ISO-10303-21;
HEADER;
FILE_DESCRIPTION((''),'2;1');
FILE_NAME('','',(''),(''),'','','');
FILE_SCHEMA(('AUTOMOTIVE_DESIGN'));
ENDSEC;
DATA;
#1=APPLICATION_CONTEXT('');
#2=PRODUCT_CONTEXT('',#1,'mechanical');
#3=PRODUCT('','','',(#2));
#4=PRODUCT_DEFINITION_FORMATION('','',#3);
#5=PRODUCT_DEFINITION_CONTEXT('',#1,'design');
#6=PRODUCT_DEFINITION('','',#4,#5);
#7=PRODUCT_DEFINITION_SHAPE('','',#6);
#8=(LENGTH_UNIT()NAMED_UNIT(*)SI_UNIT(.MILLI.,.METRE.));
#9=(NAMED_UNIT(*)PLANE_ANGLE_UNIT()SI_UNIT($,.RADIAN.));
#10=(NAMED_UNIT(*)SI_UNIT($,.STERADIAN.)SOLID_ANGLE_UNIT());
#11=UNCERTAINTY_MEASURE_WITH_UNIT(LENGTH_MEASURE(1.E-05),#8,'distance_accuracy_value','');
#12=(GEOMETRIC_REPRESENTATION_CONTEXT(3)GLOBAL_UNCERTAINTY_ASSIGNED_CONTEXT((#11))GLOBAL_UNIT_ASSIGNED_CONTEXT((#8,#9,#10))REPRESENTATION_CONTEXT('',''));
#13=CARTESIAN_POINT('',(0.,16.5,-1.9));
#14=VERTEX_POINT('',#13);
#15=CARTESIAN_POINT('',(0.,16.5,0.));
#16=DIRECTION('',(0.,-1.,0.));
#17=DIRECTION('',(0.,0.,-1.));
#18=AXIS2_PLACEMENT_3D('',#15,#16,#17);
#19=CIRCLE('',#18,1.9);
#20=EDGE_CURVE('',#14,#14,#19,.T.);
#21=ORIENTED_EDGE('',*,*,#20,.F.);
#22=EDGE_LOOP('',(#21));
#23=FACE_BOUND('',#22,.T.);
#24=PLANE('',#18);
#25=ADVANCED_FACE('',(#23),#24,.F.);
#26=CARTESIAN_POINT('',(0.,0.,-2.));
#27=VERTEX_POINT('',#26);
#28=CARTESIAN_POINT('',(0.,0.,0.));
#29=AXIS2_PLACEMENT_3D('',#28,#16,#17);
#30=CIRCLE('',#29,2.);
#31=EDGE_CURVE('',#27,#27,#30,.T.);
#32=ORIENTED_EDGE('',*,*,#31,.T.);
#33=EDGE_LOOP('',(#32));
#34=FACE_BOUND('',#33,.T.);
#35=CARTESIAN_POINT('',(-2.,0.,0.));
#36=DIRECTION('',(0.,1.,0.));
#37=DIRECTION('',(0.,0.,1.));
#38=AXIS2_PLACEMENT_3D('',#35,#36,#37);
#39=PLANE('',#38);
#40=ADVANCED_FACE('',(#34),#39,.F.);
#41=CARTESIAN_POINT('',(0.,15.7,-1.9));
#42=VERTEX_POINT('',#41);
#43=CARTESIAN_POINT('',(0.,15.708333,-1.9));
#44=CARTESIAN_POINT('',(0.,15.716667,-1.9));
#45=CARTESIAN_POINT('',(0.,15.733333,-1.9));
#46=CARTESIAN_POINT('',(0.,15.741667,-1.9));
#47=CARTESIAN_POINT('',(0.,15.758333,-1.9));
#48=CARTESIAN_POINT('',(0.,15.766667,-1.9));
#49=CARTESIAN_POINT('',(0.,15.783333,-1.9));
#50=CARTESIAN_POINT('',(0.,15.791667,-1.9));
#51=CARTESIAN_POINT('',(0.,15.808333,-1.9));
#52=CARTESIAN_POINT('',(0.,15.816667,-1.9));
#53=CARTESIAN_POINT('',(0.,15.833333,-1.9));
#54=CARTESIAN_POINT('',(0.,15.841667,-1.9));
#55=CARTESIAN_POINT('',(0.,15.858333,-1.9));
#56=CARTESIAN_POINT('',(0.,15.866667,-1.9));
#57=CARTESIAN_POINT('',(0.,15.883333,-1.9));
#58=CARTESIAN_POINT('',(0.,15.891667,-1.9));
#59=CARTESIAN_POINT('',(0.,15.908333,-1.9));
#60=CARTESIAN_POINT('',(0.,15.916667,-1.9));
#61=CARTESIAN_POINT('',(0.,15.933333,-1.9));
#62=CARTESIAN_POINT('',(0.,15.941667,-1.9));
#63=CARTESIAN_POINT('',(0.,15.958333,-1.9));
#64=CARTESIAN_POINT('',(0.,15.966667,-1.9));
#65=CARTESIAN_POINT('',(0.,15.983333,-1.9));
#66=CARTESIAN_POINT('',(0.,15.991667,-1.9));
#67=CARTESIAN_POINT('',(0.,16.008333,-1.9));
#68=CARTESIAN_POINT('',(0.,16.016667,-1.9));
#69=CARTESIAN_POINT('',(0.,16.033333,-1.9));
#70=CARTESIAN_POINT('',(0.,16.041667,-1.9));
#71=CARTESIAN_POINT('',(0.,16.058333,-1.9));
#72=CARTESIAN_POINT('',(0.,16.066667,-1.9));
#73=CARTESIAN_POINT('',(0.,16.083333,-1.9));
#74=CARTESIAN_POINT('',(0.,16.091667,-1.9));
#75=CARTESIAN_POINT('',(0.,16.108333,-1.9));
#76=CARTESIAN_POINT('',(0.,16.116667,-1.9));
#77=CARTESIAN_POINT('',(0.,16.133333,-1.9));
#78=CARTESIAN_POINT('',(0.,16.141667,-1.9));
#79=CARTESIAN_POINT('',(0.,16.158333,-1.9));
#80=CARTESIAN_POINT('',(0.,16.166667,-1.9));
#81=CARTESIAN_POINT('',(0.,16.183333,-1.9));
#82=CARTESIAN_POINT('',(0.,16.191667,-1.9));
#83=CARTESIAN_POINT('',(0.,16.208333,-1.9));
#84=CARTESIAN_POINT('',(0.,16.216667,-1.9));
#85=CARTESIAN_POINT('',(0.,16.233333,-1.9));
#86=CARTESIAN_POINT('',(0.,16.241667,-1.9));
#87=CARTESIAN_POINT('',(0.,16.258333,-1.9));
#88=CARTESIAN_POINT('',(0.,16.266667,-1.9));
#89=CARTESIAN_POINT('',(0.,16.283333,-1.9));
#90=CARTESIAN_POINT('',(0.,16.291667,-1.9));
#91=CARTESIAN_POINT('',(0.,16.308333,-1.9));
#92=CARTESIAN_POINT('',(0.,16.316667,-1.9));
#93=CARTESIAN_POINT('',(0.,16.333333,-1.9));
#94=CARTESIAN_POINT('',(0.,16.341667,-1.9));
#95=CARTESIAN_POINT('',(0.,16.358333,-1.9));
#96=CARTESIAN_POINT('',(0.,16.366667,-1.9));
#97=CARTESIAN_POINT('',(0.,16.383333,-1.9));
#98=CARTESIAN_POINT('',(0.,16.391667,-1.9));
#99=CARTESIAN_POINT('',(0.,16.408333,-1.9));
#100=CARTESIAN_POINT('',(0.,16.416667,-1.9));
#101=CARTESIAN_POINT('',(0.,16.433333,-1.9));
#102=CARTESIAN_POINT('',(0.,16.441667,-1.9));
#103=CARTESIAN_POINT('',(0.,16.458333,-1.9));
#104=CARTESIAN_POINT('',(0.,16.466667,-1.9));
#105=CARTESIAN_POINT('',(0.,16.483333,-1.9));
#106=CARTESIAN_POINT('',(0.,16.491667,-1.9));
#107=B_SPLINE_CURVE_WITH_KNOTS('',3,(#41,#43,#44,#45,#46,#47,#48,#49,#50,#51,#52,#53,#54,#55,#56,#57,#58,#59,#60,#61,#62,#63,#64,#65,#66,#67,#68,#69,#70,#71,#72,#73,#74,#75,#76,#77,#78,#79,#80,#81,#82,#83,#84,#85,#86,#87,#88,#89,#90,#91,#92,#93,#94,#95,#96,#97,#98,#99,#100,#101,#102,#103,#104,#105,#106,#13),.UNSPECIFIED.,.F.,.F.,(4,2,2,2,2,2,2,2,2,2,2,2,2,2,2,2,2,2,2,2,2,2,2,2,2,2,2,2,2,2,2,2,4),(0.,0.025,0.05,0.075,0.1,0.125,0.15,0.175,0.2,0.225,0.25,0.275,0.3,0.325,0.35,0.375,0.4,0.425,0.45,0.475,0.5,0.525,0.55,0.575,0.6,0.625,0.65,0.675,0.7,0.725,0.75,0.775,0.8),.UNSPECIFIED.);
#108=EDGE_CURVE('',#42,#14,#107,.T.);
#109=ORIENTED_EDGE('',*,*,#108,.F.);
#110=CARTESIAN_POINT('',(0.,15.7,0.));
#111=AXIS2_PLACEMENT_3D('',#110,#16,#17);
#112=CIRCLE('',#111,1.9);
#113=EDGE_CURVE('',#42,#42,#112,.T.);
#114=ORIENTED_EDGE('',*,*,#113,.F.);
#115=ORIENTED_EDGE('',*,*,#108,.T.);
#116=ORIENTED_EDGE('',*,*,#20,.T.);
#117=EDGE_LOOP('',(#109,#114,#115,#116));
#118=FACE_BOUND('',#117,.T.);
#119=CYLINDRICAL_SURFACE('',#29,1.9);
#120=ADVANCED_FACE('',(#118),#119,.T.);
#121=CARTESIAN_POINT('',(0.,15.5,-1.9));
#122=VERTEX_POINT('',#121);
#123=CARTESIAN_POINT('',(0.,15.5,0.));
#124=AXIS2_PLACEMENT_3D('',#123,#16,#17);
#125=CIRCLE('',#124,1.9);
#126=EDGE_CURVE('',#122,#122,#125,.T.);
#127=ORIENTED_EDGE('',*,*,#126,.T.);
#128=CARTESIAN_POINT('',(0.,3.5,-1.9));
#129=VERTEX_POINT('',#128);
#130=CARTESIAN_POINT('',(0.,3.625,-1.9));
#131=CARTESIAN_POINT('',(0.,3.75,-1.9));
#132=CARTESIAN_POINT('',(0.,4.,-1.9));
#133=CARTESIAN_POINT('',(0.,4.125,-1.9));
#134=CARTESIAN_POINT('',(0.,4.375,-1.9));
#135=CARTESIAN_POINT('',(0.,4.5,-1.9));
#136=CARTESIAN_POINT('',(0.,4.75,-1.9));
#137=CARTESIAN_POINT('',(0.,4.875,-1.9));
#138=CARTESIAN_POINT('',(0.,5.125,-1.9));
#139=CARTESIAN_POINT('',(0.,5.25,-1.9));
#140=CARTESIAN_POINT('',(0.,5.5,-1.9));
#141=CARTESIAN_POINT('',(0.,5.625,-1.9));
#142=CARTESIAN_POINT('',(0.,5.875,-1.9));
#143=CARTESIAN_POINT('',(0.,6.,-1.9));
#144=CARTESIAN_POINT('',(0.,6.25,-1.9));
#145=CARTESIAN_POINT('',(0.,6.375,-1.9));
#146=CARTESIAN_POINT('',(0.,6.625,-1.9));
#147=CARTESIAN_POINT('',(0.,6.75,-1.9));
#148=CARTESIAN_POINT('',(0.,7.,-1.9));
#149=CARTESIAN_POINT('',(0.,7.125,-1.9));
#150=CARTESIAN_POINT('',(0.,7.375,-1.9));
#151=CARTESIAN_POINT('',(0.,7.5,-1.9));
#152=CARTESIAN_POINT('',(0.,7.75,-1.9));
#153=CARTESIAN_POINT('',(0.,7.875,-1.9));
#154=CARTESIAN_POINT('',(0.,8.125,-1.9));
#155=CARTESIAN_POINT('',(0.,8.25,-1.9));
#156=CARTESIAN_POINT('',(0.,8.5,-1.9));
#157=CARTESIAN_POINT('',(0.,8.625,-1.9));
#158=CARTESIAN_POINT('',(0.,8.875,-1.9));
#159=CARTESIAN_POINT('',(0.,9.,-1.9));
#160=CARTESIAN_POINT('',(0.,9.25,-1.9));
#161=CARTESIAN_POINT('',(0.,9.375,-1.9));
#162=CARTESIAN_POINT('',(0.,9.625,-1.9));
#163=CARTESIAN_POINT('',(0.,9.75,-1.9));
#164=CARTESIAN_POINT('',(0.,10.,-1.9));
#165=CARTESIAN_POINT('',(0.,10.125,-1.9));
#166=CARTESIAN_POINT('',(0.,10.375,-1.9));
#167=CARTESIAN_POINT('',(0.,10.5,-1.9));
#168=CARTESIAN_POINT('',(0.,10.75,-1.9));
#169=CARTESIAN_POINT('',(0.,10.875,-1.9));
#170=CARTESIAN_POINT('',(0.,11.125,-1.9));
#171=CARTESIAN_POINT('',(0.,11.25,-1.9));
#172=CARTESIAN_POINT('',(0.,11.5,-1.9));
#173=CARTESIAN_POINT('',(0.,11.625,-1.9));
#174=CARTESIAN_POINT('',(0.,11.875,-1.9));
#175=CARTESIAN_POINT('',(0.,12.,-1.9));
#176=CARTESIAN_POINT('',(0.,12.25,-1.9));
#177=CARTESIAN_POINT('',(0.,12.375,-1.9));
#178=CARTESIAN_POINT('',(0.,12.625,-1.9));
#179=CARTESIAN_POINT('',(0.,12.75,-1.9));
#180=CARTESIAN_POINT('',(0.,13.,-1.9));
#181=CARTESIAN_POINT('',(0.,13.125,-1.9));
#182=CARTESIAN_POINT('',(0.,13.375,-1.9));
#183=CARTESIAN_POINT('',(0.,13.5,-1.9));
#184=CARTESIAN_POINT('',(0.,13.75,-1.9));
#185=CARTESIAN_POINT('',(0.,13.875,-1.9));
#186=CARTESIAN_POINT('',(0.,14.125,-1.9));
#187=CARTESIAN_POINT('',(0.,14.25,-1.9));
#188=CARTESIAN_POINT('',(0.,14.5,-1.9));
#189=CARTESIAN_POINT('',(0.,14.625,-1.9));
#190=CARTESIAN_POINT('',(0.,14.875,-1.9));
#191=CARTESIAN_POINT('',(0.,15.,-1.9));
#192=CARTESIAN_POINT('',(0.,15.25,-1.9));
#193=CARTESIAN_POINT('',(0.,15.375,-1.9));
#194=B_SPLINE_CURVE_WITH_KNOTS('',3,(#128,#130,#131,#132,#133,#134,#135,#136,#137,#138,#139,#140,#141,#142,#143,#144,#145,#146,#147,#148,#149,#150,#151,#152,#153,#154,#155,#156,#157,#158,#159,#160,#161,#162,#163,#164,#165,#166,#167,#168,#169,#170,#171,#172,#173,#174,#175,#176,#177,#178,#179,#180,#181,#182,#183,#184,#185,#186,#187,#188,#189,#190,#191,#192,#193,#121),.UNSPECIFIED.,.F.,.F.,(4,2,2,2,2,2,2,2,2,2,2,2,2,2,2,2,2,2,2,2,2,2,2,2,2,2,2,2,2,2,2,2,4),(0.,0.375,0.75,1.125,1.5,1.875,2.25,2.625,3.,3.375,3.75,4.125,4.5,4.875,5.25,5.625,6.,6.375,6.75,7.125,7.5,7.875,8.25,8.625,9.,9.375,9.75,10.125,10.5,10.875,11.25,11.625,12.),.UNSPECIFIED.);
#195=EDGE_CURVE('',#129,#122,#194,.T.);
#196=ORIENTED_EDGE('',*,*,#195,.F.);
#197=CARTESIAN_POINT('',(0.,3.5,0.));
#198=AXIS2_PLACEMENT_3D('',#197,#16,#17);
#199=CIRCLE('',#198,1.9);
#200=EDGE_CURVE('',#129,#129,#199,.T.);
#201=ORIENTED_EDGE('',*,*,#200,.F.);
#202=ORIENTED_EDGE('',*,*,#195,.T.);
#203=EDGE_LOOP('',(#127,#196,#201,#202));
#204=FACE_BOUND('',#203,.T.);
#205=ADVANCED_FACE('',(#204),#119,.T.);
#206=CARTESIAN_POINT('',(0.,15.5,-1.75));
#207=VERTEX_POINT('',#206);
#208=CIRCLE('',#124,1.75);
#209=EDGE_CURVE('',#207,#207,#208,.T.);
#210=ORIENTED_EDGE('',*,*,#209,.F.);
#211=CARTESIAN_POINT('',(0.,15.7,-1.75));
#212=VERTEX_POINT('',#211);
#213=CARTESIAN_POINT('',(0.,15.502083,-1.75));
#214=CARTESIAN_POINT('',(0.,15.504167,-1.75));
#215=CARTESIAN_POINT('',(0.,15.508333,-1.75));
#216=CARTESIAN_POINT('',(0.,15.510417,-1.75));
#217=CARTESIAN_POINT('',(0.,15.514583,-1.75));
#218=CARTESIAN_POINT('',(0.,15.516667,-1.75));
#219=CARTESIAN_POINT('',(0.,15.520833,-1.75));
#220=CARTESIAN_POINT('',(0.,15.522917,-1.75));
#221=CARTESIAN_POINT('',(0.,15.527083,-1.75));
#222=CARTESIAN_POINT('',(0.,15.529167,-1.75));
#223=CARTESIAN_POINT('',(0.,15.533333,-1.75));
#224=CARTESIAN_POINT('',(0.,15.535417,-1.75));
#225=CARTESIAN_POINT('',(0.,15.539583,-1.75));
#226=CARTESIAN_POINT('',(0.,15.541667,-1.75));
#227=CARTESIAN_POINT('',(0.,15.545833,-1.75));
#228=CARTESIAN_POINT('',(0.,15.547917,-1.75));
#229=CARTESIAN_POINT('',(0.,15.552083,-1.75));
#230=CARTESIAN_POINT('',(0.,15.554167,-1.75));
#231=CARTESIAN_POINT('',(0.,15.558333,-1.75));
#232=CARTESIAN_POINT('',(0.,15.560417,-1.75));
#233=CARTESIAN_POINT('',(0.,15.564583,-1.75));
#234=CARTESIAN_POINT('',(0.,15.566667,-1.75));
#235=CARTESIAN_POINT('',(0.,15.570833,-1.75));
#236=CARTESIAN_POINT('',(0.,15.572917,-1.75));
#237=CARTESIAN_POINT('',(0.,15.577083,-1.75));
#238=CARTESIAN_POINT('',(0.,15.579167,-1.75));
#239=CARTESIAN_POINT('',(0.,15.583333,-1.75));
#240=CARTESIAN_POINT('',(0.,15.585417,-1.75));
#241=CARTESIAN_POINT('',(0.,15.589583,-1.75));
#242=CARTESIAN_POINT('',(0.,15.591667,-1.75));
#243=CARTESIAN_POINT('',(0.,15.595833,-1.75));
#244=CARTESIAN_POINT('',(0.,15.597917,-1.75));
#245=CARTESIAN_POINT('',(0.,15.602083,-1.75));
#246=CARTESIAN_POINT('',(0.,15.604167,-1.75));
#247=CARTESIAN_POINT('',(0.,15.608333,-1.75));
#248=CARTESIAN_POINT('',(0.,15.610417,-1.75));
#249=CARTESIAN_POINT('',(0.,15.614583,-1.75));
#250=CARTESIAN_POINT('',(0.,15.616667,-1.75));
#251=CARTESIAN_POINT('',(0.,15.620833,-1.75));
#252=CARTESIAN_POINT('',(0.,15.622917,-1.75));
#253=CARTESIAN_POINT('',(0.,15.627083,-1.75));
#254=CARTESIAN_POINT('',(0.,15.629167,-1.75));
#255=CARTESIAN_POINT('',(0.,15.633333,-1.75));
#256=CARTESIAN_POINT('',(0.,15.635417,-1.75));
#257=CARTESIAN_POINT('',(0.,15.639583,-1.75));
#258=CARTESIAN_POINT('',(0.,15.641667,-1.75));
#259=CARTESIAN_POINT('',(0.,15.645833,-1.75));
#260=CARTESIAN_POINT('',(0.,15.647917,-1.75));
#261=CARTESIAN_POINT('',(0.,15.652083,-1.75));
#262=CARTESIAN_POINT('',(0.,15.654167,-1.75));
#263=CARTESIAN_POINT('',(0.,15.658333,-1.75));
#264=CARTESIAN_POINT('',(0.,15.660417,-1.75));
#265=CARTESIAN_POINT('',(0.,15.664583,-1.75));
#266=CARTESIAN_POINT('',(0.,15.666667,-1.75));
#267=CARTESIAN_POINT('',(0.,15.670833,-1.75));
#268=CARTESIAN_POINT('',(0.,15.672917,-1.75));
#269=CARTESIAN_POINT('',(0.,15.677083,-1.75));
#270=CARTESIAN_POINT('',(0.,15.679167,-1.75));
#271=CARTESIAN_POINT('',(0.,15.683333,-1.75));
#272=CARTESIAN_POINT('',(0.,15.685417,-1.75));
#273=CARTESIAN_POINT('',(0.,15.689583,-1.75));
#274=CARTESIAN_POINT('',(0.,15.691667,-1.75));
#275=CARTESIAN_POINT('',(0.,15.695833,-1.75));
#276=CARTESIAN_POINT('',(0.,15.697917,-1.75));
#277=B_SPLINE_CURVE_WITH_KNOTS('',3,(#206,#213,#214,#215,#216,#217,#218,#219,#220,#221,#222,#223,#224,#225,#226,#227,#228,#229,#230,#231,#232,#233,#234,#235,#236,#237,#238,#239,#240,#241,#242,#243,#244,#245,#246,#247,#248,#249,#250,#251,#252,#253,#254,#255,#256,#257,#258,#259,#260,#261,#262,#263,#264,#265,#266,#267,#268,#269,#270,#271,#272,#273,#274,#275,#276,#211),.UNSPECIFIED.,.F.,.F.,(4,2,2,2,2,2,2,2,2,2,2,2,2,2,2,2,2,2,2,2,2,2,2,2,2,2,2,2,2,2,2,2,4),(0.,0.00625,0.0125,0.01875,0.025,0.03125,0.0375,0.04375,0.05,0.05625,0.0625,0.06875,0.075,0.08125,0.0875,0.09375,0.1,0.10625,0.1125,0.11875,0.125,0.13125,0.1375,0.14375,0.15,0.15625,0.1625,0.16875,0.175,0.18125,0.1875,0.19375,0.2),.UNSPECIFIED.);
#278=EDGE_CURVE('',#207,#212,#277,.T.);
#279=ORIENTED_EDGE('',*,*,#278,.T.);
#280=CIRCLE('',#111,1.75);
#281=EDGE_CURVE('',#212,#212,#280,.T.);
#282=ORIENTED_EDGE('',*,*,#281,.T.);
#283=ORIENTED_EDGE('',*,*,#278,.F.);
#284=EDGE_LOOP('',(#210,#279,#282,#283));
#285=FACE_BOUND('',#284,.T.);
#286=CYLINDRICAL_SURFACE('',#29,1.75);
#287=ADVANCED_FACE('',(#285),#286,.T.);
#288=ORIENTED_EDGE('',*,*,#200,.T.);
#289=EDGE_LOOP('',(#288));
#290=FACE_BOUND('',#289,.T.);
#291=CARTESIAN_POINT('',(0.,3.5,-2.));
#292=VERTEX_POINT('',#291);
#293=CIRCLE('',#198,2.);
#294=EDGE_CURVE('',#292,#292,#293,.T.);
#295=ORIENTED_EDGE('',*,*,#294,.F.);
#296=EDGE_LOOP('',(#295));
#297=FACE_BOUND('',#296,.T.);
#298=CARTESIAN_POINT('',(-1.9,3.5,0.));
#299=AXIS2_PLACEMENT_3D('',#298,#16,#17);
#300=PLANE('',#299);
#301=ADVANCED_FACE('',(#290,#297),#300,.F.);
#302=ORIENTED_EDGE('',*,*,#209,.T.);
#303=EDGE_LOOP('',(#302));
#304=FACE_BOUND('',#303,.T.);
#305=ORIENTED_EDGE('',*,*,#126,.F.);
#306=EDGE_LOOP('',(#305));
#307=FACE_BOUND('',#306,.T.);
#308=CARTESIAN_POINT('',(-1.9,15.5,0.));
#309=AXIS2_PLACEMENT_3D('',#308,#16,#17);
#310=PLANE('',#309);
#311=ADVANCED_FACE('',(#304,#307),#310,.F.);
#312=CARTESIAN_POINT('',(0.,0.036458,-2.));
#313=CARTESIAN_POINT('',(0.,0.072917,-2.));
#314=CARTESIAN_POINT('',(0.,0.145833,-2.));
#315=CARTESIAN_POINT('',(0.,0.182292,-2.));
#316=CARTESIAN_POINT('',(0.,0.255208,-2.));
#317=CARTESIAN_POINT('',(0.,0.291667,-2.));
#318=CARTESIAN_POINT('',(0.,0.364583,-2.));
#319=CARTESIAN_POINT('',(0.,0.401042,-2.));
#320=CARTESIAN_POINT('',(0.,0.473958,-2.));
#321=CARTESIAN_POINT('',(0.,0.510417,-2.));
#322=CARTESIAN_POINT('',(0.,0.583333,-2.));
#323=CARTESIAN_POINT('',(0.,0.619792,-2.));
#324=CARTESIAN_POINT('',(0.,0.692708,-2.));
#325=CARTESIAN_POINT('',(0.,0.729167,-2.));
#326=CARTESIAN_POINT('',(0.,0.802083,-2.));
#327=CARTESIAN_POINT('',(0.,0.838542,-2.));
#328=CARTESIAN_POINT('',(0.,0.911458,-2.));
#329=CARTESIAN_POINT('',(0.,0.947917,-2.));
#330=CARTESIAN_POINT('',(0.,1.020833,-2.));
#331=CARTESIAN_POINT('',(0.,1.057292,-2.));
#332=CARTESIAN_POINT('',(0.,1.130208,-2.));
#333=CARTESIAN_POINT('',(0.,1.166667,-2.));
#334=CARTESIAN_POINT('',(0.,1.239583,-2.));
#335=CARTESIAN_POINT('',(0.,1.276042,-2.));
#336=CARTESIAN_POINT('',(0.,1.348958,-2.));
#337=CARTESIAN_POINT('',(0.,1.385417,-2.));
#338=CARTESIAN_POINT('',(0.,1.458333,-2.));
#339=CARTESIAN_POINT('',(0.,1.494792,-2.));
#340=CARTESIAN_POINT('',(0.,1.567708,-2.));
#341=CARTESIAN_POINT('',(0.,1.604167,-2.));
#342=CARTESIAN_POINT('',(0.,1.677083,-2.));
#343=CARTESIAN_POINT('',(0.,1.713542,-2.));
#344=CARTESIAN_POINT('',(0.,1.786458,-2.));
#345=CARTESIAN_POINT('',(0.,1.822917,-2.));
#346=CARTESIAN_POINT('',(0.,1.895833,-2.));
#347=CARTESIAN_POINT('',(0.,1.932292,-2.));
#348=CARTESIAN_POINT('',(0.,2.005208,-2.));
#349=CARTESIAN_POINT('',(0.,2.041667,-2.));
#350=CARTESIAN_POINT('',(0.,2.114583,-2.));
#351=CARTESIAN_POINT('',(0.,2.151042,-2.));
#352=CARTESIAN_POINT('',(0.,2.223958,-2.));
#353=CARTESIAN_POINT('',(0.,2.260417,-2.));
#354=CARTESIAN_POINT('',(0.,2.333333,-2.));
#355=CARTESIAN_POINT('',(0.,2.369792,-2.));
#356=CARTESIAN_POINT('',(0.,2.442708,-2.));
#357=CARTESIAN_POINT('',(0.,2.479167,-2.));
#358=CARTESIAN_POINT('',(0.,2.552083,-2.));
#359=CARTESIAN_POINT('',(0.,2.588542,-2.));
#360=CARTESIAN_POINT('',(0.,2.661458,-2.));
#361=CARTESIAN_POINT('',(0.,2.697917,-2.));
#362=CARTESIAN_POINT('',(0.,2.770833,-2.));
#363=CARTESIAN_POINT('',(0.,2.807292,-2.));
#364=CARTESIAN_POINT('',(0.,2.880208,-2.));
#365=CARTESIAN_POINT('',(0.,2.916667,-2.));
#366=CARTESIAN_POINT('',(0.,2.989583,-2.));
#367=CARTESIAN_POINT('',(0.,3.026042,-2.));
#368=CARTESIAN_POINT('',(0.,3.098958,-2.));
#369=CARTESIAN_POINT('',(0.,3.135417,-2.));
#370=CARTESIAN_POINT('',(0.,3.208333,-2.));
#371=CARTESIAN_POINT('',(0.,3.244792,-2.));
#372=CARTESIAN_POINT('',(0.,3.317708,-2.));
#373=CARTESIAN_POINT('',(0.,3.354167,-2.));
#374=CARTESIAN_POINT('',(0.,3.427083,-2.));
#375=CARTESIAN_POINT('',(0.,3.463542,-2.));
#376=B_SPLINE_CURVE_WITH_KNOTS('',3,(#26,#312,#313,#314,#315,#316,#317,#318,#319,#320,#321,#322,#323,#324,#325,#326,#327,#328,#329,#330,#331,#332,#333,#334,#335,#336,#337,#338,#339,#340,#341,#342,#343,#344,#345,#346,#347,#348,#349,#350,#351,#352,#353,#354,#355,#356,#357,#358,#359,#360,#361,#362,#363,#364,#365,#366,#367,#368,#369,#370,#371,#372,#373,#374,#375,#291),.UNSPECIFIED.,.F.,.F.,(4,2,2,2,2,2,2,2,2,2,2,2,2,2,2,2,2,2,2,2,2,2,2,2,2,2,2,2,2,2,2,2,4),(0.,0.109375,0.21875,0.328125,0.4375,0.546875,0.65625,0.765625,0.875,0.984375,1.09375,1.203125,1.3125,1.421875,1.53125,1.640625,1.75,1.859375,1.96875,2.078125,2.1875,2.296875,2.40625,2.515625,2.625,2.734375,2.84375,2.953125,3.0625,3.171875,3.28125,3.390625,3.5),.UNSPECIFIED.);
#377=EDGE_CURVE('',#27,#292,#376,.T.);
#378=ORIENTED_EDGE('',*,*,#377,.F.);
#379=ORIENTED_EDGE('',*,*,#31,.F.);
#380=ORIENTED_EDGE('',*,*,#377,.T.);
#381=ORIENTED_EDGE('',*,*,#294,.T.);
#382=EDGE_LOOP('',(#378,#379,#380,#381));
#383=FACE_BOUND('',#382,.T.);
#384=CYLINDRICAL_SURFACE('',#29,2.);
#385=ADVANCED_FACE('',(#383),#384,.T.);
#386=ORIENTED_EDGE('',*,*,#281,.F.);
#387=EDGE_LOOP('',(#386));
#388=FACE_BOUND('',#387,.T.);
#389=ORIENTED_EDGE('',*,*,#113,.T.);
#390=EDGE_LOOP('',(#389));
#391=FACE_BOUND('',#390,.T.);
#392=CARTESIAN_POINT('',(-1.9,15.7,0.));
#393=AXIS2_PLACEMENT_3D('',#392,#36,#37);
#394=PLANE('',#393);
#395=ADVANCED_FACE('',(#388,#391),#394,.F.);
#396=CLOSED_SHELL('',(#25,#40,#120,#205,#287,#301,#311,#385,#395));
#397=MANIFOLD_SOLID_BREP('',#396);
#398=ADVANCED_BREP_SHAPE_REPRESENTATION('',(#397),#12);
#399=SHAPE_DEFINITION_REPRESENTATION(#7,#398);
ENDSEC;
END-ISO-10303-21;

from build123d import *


with BuildPart() as part:
    # Sketch1 → Revolve1 (revolve)
    with BuildSketch(Plane.XY, mode=Mode.PRIVATE) as revolve1_sk:
        Polygon((0, 16.5), (-1.9, 16.5), (-1.9, 15.7), (-1.75, 15.7), (-1.75, 15.5), (-1.9, 15.5), (-1.9, 3.5), (-2, 3.5), (-2, 0), (0, 0), align=None)
    revolve(revolve1_sk.sketch.rotate(Axis((0, 0, 0), (0, 1, 0)), 270), axis=Axis((0, 0, 0), (0, 1, 0)))


solid = part.part
